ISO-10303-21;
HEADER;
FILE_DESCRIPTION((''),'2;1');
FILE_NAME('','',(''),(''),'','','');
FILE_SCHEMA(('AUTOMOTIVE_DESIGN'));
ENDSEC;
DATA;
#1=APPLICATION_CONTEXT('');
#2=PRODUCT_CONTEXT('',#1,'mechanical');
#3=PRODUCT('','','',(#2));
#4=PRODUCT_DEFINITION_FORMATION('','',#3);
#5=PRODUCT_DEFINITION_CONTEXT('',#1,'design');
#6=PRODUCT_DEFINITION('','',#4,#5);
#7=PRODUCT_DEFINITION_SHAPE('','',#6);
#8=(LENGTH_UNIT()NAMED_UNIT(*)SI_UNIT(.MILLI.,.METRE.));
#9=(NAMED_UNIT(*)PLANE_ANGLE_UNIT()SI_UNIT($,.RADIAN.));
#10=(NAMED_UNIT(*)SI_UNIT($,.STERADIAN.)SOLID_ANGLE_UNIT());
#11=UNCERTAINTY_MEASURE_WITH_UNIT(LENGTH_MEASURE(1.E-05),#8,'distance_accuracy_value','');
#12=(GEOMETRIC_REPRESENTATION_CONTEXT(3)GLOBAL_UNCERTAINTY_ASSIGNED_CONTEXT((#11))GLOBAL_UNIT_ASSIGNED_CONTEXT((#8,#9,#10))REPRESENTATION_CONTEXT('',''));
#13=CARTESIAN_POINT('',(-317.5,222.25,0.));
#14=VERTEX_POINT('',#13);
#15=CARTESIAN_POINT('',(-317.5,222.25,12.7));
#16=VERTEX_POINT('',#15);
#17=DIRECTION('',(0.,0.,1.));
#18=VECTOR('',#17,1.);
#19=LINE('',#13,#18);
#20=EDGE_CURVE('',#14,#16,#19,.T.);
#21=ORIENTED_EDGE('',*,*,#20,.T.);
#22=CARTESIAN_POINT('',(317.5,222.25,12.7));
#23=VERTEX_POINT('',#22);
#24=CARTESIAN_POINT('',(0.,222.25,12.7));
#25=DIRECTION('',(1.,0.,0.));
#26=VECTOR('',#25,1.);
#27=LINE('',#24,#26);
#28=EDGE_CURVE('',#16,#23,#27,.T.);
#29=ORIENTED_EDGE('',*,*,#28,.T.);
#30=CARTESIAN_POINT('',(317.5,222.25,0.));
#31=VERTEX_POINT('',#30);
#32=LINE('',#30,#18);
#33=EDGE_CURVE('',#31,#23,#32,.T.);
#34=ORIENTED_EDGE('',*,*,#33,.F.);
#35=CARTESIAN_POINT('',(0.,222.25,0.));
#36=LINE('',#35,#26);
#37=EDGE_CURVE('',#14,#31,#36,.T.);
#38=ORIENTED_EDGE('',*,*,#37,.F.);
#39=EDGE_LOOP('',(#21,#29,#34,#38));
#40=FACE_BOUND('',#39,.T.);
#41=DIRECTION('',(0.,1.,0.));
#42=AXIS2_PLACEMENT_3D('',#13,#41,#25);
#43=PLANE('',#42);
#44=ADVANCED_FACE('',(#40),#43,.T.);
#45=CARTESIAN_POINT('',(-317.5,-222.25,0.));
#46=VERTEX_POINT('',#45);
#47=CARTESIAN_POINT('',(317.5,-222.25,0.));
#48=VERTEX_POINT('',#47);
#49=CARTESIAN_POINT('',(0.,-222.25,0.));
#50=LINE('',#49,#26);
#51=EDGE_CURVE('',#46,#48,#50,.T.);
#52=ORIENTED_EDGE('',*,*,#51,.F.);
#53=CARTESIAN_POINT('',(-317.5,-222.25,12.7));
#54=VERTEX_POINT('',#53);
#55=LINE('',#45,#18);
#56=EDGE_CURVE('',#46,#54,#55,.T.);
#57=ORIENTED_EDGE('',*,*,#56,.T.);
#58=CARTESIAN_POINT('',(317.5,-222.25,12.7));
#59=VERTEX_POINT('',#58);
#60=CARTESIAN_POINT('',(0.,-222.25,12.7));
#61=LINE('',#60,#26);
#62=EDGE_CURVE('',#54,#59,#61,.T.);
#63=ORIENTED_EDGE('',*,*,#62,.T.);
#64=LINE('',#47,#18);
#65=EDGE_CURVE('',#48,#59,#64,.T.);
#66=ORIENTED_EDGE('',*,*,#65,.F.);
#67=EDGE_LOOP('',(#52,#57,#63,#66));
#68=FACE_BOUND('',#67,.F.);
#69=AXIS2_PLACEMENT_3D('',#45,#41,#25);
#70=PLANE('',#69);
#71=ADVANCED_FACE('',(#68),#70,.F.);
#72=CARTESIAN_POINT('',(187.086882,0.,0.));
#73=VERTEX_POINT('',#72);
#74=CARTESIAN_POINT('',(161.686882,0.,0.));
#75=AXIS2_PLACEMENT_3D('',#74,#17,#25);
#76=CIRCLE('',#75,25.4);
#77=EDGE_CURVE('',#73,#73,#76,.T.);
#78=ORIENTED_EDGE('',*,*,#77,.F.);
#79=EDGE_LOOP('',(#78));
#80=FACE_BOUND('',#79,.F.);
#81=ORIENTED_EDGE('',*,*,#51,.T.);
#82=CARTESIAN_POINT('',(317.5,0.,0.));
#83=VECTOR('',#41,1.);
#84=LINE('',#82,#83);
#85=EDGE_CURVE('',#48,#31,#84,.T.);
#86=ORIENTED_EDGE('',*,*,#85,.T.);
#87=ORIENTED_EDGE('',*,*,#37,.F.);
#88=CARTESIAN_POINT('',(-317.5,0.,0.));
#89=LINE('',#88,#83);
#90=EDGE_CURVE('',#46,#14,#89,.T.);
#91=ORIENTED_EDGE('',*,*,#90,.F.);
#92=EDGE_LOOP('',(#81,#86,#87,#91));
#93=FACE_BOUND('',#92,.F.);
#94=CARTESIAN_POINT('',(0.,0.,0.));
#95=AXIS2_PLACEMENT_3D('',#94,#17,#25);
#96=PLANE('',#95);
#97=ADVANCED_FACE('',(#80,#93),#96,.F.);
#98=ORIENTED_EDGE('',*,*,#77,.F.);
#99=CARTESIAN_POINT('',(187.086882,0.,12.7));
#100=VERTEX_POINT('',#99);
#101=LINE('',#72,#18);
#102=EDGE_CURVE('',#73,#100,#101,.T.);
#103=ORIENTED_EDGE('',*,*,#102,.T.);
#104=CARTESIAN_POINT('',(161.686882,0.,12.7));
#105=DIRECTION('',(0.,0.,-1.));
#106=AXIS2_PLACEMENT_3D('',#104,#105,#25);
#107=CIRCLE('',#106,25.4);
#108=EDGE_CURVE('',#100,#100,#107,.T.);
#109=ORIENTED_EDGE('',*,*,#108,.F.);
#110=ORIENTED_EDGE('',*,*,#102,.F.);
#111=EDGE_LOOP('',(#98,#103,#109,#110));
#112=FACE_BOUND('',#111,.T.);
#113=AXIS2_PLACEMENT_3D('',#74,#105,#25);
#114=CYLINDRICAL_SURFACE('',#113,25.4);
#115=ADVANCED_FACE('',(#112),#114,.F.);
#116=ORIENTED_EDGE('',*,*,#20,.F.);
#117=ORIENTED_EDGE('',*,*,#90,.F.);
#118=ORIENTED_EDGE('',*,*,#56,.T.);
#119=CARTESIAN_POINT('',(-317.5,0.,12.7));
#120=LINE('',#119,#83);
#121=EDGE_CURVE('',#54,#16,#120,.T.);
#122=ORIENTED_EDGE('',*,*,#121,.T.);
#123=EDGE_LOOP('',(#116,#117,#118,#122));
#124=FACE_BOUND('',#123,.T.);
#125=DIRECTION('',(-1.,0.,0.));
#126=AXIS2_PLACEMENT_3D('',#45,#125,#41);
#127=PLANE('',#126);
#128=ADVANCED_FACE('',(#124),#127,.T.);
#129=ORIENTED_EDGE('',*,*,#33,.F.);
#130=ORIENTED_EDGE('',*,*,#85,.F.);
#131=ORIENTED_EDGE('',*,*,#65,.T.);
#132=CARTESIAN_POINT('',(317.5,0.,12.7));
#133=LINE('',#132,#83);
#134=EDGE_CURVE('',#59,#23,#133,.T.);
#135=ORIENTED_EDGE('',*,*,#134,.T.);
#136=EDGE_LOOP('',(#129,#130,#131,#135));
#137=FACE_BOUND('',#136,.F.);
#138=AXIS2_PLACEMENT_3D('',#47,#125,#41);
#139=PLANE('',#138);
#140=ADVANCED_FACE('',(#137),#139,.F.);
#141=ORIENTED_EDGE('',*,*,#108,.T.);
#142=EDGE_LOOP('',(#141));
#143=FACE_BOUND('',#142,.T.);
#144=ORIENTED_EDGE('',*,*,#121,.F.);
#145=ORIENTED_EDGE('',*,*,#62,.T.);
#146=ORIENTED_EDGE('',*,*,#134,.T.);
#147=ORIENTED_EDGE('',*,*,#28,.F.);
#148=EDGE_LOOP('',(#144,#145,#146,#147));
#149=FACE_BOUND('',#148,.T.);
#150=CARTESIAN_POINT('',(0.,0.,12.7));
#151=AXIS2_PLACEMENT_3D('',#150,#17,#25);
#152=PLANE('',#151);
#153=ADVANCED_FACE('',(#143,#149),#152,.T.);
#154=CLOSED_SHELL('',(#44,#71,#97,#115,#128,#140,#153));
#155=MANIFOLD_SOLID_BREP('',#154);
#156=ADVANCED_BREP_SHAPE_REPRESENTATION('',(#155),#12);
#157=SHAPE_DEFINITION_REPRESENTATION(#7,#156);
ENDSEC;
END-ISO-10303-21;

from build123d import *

# Parameters (mm, degrees)
F0_W     = 635
F0_H     = 444.5
F0_R     = 25.4
F1_DEPTH = 12.7
F2_DEPTH = 25.4


with BuildPart() as f1:
    # F0 (on Top) → F1 (new body)
    with BuildSketch(Plane.XY):
        Rectangle(F0_W, F0_H)
        with Locations((161.686882, 0)):
            Circle(F0_R, mode=Mode.SUBTRACT)
        with Locations((161.686882, 0)):
            Circle(F0_R)
    extrude(amount=F1_DEPTH)

    # F0 (on Top) → F2 (cut)
    with BuildSketch(Plane.XY):
        with Locations((161.686882, 0)):
            Circle(F0_R)
    extrude(amount=F2_DEPTH, mode=Mode.SUBTRACT)


solid = f1.part
